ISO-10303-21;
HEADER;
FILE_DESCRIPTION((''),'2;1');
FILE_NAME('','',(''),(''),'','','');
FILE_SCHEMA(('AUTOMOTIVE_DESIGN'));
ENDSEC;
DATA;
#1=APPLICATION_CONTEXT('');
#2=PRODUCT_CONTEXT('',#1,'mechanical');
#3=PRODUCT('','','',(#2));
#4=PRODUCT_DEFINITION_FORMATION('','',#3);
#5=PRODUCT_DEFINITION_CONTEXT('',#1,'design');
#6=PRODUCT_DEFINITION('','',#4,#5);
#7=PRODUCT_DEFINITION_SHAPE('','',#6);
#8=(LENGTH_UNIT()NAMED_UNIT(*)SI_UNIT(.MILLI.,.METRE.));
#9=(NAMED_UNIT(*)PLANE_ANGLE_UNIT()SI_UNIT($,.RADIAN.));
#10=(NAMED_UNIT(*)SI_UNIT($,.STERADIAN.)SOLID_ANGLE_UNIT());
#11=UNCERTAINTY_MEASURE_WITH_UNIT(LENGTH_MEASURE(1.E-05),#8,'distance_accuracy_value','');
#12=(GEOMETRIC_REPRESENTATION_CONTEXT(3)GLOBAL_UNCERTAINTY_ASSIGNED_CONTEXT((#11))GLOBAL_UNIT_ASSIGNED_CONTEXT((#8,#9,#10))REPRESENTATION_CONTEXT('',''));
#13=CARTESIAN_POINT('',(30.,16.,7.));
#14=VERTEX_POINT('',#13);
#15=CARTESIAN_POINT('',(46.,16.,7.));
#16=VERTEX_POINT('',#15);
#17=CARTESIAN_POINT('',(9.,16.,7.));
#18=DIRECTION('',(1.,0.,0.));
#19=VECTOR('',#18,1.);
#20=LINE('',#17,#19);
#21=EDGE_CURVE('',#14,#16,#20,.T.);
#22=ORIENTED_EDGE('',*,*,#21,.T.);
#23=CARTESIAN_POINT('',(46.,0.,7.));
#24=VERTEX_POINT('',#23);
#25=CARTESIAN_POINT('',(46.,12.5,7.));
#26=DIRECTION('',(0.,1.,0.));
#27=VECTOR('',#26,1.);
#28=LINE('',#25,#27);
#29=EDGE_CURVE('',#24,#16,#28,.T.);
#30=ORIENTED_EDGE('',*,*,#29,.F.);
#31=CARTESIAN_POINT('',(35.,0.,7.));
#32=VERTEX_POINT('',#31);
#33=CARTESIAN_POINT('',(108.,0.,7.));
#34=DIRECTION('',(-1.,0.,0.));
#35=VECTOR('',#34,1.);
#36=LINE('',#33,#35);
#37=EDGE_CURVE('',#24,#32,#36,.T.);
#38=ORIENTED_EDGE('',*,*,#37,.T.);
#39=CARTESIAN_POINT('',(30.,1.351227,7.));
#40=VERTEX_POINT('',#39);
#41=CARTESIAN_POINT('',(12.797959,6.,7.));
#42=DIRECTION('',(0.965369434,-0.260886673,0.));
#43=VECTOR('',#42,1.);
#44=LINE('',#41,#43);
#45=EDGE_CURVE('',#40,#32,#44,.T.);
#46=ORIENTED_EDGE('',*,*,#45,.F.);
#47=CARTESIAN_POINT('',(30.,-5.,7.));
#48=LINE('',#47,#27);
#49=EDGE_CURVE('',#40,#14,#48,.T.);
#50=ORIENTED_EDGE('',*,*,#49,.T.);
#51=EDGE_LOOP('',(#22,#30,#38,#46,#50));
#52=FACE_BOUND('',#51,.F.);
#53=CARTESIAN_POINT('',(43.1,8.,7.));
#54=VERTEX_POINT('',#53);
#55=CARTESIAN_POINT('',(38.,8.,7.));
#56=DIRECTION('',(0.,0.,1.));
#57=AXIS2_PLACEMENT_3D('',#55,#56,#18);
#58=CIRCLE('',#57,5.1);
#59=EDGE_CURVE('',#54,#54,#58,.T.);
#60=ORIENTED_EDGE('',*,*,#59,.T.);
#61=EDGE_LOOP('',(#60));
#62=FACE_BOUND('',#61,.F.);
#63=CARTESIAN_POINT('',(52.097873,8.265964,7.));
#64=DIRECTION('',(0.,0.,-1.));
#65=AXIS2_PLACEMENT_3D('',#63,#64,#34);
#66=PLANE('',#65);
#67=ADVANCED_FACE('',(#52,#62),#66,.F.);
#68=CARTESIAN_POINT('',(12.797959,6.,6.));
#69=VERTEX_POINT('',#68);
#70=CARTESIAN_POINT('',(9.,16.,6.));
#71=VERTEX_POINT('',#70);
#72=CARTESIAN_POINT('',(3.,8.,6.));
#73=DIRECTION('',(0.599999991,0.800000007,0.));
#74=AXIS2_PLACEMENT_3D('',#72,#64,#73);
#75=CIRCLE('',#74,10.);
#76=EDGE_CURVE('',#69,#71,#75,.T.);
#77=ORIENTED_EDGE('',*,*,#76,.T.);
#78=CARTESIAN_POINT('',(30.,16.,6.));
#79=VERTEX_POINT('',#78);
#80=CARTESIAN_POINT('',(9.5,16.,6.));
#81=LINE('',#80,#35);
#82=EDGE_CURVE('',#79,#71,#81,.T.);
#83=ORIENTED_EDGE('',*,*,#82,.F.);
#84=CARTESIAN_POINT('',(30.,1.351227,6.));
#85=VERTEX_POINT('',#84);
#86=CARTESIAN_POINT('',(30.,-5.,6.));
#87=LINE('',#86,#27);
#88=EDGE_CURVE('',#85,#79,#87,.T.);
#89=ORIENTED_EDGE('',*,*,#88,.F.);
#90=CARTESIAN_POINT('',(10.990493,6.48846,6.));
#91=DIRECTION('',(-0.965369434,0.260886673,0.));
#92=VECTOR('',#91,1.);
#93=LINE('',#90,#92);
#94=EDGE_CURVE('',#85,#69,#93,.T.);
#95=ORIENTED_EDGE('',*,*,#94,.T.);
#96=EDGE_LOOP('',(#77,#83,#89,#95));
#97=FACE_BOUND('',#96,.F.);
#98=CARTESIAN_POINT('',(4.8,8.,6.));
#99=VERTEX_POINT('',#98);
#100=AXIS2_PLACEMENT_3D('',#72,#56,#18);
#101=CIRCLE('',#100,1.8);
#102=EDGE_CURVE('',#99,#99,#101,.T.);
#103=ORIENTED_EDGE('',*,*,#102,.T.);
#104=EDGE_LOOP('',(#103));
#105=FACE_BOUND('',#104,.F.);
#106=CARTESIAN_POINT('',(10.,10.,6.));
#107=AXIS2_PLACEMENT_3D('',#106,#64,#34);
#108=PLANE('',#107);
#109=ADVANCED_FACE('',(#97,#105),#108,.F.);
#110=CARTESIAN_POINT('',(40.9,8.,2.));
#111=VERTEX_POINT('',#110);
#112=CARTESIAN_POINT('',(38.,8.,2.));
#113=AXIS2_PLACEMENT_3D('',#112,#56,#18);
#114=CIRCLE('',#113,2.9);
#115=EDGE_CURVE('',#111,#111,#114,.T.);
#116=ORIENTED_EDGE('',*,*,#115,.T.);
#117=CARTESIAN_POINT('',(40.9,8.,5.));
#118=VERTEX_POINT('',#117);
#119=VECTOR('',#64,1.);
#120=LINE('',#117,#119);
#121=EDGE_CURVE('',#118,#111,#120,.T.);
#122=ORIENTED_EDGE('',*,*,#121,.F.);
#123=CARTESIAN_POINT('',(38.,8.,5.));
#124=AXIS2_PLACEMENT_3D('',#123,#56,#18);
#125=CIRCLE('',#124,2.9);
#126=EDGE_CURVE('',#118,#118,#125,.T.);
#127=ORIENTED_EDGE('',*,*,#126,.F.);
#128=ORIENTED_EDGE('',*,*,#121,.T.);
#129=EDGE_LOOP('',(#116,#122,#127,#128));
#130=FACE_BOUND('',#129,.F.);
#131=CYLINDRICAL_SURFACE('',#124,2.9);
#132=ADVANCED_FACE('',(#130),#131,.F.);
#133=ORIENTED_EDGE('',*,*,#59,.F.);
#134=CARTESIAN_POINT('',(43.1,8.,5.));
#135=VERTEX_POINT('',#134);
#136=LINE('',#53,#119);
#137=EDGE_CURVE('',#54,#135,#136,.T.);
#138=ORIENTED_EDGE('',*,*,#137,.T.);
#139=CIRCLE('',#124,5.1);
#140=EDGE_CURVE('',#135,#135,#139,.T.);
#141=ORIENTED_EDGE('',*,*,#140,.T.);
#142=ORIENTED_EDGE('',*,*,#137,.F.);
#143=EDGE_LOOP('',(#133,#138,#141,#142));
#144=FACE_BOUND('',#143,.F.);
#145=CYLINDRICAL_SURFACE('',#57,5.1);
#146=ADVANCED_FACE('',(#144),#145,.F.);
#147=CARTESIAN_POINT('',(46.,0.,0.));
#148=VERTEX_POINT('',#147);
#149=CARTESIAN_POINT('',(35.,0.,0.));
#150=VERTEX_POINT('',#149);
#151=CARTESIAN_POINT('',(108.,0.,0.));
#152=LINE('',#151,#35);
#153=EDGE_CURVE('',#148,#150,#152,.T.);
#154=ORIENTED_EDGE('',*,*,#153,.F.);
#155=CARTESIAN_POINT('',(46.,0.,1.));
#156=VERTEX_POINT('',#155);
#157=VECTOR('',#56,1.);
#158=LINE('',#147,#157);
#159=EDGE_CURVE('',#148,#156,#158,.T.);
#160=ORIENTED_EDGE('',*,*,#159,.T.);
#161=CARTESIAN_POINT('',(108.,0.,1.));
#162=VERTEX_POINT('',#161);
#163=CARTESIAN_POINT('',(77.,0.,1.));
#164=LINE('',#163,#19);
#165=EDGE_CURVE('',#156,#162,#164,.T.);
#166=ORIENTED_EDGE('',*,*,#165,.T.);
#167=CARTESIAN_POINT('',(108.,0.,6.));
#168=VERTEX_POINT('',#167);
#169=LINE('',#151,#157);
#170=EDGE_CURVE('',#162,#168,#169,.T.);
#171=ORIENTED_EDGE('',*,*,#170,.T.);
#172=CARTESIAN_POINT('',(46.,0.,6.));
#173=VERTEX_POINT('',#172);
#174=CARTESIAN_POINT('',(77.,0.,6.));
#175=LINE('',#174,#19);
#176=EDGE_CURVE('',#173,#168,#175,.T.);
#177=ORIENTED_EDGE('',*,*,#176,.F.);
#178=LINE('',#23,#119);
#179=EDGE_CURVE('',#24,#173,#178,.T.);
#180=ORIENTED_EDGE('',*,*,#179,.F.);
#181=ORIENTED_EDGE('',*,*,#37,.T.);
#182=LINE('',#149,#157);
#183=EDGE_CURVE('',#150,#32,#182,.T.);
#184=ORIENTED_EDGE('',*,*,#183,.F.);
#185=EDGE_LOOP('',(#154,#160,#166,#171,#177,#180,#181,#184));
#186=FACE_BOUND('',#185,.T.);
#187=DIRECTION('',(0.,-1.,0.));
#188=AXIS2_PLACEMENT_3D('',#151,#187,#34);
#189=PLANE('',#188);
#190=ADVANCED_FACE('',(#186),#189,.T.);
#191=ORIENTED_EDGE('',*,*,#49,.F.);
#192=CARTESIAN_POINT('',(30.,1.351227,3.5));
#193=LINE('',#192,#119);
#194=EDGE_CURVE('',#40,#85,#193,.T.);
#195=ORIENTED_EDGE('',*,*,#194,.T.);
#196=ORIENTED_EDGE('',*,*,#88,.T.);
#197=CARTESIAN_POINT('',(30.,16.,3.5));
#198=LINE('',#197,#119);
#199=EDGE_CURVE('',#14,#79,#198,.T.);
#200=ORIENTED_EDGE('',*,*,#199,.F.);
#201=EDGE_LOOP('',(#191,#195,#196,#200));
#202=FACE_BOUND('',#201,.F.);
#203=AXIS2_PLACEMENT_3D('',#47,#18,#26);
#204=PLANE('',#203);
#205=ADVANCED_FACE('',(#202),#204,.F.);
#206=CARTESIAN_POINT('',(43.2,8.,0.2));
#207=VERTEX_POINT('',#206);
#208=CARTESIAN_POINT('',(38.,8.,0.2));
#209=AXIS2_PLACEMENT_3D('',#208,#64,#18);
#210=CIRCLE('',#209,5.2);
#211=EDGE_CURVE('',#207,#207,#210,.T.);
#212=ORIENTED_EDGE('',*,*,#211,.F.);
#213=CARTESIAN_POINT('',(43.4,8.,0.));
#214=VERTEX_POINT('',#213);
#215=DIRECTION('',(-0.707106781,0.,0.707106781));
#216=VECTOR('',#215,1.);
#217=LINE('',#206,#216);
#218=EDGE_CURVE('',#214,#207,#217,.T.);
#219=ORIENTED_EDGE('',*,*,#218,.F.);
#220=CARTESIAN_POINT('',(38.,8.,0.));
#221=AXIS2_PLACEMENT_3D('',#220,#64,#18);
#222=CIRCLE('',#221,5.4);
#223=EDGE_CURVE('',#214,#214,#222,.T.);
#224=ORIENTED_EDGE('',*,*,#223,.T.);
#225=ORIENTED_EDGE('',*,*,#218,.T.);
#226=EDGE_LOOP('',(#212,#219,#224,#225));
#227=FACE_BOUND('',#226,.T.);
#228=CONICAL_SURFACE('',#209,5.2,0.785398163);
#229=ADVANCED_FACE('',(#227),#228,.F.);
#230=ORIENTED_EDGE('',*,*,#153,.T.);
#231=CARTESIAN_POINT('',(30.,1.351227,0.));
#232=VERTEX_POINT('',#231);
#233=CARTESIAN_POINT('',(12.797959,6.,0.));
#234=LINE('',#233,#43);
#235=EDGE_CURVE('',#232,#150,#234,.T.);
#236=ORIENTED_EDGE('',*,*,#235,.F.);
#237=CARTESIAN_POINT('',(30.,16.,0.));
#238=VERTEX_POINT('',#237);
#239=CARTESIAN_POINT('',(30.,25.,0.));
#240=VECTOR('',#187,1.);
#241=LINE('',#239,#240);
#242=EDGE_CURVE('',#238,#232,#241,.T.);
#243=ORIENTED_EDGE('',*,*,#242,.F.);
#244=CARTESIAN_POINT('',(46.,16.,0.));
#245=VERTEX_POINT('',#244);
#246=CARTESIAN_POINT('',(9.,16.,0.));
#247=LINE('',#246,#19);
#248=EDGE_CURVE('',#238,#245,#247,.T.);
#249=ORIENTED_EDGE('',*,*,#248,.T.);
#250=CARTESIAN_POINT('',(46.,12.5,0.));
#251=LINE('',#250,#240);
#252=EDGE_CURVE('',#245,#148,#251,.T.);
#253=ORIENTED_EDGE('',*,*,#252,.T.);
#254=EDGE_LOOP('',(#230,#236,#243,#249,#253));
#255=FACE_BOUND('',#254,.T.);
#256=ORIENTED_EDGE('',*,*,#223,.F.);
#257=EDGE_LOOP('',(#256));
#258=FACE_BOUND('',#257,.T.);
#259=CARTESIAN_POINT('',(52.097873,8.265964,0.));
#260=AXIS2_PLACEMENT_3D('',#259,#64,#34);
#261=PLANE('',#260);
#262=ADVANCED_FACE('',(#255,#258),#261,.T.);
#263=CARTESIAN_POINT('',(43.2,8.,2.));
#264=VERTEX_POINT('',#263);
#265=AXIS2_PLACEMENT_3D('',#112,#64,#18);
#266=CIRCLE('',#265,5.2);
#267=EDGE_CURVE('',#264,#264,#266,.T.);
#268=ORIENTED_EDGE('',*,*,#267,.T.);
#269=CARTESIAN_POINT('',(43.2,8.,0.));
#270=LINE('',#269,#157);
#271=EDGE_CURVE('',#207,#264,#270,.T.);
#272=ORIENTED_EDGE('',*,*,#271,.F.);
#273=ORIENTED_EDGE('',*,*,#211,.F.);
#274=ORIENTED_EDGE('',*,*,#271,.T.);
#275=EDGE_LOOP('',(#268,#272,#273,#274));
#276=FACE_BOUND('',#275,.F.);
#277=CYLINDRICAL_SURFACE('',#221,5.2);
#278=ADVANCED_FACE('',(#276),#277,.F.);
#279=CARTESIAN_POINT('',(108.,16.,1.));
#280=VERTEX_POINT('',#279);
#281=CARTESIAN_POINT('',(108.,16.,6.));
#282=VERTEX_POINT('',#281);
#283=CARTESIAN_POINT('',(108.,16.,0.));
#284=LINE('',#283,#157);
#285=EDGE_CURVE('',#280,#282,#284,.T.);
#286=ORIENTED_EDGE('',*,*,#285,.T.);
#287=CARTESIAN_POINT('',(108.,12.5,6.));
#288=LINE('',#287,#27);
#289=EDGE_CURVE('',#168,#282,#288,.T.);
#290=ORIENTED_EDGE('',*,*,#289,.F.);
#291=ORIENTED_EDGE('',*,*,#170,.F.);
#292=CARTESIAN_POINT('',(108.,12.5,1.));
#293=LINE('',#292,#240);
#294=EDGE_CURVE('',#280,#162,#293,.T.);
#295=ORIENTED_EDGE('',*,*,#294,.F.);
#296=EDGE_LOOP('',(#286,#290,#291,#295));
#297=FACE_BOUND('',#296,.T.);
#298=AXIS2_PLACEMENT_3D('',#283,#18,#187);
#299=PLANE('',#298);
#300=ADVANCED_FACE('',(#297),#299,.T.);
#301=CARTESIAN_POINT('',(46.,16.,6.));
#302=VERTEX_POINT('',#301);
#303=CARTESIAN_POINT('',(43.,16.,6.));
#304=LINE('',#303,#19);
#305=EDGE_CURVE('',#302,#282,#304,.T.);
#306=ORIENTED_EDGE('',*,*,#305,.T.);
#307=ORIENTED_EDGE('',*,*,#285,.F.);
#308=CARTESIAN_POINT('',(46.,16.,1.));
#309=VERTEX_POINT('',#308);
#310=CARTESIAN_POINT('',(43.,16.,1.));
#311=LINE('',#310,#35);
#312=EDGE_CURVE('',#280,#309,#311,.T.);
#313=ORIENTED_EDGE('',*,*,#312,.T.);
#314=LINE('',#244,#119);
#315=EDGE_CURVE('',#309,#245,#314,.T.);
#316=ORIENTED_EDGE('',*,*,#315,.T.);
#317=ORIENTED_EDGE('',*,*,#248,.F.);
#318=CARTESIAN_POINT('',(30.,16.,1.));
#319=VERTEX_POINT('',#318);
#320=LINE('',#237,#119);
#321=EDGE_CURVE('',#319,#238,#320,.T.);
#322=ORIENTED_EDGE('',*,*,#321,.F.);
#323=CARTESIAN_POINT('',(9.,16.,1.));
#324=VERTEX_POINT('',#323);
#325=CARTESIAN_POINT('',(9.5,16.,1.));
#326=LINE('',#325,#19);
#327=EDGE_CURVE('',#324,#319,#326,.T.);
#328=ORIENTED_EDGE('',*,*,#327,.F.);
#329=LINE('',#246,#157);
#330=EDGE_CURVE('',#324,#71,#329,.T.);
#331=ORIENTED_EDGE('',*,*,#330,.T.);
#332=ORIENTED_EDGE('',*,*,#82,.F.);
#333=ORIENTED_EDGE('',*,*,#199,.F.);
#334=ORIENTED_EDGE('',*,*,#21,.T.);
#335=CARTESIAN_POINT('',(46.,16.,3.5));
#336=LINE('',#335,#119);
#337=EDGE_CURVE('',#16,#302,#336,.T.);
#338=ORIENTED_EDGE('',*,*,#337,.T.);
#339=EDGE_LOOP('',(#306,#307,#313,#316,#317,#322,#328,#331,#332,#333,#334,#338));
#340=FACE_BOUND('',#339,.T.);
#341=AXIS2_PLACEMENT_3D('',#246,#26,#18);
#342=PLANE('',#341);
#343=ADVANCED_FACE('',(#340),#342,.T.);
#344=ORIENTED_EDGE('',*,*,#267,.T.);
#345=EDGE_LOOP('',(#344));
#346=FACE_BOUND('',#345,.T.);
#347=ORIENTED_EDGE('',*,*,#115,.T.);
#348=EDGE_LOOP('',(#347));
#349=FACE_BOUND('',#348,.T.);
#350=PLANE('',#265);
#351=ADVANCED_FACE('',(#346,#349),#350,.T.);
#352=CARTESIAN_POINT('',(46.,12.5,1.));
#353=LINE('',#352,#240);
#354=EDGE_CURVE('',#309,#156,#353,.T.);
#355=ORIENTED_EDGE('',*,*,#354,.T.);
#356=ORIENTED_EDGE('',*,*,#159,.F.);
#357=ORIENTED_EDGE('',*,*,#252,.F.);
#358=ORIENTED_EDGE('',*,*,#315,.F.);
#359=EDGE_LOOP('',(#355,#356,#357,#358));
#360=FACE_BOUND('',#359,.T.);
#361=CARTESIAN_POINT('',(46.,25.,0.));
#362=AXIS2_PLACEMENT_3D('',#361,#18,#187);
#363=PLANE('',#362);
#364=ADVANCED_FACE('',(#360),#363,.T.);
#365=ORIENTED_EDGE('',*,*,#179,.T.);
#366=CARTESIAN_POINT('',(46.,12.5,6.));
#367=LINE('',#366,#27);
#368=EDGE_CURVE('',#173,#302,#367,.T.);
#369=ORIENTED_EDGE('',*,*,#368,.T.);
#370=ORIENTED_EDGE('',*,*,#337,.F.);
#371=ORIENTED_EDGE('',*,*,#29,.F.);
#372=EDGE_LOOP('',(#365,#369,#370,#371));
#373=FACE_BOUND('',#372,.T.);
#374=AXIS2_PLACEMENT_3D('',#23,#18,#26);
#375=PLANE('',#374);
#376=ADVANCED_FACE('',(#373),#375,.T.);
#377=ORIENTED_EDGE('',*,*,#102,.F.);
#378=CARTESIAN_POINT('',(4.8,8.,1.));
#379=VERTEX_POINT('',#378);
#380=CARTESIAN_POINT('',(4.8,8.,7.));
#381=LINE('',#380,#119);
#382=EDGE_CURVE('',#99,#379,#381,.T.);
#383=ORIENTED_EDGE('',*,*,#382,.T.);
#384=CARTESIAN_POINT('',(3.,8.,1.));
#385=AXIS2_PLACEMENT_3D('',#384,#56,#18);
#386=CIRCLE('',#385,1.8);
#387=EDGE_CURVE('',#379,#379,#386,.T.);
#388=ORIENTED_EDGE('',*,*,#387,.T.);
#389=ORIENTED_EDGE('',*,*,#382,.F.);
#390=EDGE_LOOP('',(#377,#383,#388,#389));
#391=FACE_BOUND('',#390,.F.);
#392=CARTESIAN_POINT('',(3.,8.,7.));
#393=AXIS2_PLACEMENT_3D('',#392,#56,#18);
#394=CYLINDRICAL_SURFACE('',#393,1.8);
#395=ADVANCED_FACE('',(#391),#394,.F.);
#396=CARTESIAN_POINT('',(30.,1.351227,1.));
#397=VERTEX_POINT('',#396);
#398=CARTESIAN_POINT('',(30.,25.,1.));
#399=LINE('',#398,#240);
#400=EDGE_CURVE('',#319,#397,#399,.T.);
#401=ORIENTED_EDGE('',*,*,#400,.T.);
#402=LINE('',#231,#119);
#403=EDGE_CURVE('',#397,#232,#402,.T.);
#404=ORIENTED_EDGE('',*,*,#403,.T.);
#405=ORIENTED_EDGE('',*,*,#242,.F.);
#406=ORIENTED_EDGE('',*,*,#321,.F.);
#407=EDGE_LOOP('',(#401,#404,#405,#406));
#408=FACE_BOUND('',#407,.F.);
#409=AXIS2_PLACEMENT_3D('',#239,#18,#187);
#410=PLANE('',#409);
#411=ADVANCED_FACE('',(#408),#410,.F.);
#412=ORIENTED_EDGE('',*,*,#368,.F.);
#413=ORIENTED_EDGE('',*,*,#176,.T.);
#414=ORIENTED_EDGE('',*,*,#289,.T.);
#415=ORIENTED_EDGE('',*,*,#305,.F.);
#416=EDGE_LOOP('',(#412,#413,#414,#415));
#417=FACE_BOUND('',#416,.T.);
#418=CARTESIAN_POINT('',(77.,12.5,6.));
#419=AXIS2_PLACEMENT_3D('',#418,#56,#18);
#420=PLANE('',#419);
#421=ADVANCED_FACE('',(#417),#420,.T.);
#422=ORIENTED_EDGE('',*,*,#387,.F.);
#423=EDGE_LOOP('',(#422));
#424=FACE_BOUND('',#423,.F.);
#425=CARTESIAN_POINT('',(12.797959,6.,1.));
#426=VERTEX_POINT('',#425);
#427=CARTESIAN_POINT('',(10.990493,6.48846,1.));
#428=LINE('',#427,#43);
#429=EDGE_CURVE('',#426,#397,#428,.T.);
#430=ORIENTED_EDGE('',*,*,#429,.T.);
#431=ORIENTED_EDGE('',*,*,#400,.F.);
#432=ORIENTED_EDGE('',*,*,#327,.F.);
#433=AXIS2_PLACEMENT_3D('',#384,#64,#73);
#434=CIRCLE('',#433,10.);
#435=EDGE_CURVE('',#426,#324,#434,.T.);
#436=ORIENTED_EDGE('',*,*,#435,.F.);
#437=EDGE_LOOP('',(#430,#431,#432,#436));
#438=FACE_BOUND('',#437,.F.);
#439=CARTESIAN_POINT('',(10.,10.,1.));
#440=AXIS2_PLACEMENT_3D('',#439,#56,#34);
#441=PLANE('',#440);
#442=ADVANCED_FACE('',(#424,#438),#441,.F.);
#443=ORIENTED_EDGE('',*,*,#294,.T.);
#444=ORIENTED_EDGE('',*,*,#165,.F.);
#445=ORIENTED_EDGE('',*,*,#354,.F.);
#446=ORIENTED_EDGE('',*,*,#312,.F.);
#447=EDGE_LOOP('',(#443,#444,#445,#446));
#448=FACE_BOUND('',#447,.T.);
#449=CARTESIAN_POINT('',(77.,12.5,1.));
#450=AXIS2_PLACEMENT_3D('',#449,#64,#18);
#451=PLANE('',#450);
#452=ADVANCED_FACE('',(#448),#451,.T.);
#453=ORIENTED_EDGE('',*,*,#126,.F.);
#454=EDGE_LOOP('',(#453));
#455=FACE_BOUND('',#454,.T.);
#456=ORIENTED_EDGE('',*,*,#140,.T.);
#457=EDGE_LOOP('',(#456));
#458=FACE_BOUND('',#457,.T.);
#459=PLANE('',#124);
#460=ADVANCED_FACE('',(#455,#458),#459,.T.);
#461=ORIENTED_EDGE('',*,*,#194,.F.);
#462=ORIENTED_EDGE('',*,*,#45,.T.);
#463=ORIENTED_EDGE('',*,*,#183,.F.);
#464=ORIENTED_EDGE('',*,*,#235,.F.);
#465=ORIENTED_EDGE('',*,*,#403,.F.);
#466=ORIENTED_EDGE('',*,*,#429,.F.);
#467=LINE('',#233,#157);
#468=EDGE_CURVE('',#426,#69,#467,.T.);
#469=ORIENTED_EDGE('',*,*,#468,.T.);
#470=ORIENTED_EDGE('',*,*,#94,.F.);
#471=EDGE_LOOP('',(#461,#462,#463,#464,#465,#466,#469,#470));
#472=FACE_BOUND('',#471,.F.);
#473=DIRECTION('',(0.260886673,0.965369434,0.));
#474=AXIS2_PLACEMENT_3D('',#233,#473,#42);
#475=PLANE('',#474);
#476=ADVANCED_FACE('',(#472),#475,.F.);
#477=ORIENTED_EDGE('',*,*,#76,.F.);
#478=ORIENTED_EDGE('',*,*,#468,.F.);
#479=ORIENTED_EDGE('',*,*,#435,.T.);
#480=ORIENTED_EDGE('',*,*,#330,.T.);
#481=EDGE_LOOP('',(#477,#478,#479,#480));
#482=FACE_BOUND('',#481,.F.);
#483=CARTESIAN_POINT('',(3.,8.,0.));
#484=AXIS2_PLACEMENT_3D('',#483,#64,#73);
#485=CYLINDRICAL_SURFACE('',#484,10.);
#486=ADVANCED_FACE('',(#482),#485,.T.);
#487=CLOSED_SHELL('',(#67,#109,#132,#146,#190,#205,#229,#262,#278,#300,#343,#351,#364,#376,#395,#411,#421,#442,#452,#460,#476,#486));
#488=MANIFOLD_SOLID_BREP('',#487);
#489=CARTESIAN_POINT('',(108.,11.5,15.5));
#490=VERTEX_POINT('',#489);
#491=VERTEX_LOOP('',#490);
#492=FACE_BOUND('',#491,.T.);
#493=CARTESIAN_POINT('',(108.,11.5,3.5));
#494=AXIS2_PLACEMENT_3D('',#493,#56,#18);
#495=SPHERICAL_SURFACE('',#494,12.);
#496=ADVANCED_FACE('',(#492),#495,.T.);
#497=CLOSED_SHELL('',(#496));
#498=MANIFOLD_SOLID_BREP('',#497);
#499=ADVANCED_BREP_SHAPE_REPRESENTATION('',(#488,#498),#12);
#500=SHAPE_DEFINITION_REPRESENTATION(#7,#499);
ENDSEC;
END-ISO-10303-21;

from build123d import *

# Parameters (mm, degrees)
PAD_DEPTH       = 7
SKETCH001_R     = 1.8
POCKET_DEPTH    = 7
SKETCH003_R     = 5.2
POCKET002_DEPTH = 2
SKETCH004_R     = 5.1
POCKET003_DEPTH = 2
SKETCH005_R     = 2.9
POCKET004_DEPTH = 3
SKETCH006_W     = 62
SKETCH006_H     = 25
POCKET005_DEPTH = 1
SKETCH007_W     = 62
SKETCH007_H     = 25
POCKET006_DEPTH = 1
CHAMFER_SIZE    = 0.2


with BuildPart() as body:
    # Sketch → Pad (new body)
    with BuildSketch(Plane.XY):
        with BuildLine():
            Line((108, 16), (108, 0))
            Line((108, 0), (35, 0))
            Line((12.797959, 6), (35, 0))
            ThreePointArc((9, 16), (-6.348469, 4.44949), (12.797959, 6))
            Line((9, 16), (108, 16))
        make_face()
    extrude(amount=PAD_DEPTH)

    # Sketch001 (on Face7 of Pad) → Pocket (cut)
    with BuildSketch(Plane.XY.offset(7)):
        with Locations((3, 8)):
            Circle(SKETCH001_R)
    extrude(amount=-POCKET_DEPTH, mode=Mode.SUBTRACT)

    # Sketch003 → Pocket002 (cut)
    with BuildSketch(Plane(origin=(0, 0, 0), x_dir=(1, 0, 0), z_dir=(0, 0, -1))):
        with Locations((38, -8)):
            Circle(SKETCH003_R)
    extrude(amount=-POCKET002_DEPTH, mode=Mode.SUBTRACT)

    # Sketch004 (on Face5 of Pocket002) → Pocket003 (cut)
    with BuildSketch(Plane.XY.offset(7)):
        with Locations((38, 8)):
            Circle(SKETCH004_R)
    extrude(amount=-POCKET003_DEPTH, mode=Mode.SUBTRACT)

    # Sketch005 (on Face12 of Pocket003) → Pocket004 (cut)
    with BuildSketch(Plane.XY.offset(5)):
        with Locations((38, 8)):
            Circle(SKETCH005_R)
    extrude(amount=-POCKET004_DEPTH, mode=Mode.SUBTRACT)

    # Sketch006 (on Face4 of Pocket004) → Pocket005 (cut)
    with BuildSketch(Plane(origin=(0, 0, 0), x_dir=(1, 0, 0), z_dir=(0, 0, -1))):
        with Locations((77, -12.5)):
            Rectangle(SKETCH006_W, SKETCH006_H)
        Polygon((30, 0), (30, -25), (-10, -25), (-10, 0), (-10, 5), (30, 5), align=None)
    extrude(amount=-POCKET005_DEPTH, mode=Mode.SUBTRACT)

    # Sketch007 (on Face4 of Pocket005) → Pocket006 (cut)
    with BuildSketch(Plane.XY.offset(7)):
        Polygon((-10, 25), (30, 25), (30, 0), (30, -5), (-10, -5), (-10, 0), align=None)
        with Locations((77, 12.5)):
            Rectangle(SKETCH007_W, SKETCH007_H)
    extrude(amount=-POCKET006_DEPTH, mode=Mode.SUBTRACT)

    # Chamfer
    chamfer_edges = [body.edges().sort_by_distance(p)[0] for p in [
        (32.8, 8, 0),
    ]]
    chamfer(chamfer_edges, length=CHAMFER_SIZE)


with BuildPart() as sphere:
    # Sphere → Sphere (revolve)
    with BuildSketch(Plane(origin=(108, 11.5, 3.5), x_dir=(1, 0, 0), z_dir=(0, -1, 0))):
        with BuildLine():
            ThreePointArc((0, -12), (12, 0), (0, 12))
            Line((0, 12), (0, -12))
        make_face()
    revolve(axis=Axis((108, 11.5, 3.5), (0, 0, 1)))


solid = Compound([body.part, sphere.part])
